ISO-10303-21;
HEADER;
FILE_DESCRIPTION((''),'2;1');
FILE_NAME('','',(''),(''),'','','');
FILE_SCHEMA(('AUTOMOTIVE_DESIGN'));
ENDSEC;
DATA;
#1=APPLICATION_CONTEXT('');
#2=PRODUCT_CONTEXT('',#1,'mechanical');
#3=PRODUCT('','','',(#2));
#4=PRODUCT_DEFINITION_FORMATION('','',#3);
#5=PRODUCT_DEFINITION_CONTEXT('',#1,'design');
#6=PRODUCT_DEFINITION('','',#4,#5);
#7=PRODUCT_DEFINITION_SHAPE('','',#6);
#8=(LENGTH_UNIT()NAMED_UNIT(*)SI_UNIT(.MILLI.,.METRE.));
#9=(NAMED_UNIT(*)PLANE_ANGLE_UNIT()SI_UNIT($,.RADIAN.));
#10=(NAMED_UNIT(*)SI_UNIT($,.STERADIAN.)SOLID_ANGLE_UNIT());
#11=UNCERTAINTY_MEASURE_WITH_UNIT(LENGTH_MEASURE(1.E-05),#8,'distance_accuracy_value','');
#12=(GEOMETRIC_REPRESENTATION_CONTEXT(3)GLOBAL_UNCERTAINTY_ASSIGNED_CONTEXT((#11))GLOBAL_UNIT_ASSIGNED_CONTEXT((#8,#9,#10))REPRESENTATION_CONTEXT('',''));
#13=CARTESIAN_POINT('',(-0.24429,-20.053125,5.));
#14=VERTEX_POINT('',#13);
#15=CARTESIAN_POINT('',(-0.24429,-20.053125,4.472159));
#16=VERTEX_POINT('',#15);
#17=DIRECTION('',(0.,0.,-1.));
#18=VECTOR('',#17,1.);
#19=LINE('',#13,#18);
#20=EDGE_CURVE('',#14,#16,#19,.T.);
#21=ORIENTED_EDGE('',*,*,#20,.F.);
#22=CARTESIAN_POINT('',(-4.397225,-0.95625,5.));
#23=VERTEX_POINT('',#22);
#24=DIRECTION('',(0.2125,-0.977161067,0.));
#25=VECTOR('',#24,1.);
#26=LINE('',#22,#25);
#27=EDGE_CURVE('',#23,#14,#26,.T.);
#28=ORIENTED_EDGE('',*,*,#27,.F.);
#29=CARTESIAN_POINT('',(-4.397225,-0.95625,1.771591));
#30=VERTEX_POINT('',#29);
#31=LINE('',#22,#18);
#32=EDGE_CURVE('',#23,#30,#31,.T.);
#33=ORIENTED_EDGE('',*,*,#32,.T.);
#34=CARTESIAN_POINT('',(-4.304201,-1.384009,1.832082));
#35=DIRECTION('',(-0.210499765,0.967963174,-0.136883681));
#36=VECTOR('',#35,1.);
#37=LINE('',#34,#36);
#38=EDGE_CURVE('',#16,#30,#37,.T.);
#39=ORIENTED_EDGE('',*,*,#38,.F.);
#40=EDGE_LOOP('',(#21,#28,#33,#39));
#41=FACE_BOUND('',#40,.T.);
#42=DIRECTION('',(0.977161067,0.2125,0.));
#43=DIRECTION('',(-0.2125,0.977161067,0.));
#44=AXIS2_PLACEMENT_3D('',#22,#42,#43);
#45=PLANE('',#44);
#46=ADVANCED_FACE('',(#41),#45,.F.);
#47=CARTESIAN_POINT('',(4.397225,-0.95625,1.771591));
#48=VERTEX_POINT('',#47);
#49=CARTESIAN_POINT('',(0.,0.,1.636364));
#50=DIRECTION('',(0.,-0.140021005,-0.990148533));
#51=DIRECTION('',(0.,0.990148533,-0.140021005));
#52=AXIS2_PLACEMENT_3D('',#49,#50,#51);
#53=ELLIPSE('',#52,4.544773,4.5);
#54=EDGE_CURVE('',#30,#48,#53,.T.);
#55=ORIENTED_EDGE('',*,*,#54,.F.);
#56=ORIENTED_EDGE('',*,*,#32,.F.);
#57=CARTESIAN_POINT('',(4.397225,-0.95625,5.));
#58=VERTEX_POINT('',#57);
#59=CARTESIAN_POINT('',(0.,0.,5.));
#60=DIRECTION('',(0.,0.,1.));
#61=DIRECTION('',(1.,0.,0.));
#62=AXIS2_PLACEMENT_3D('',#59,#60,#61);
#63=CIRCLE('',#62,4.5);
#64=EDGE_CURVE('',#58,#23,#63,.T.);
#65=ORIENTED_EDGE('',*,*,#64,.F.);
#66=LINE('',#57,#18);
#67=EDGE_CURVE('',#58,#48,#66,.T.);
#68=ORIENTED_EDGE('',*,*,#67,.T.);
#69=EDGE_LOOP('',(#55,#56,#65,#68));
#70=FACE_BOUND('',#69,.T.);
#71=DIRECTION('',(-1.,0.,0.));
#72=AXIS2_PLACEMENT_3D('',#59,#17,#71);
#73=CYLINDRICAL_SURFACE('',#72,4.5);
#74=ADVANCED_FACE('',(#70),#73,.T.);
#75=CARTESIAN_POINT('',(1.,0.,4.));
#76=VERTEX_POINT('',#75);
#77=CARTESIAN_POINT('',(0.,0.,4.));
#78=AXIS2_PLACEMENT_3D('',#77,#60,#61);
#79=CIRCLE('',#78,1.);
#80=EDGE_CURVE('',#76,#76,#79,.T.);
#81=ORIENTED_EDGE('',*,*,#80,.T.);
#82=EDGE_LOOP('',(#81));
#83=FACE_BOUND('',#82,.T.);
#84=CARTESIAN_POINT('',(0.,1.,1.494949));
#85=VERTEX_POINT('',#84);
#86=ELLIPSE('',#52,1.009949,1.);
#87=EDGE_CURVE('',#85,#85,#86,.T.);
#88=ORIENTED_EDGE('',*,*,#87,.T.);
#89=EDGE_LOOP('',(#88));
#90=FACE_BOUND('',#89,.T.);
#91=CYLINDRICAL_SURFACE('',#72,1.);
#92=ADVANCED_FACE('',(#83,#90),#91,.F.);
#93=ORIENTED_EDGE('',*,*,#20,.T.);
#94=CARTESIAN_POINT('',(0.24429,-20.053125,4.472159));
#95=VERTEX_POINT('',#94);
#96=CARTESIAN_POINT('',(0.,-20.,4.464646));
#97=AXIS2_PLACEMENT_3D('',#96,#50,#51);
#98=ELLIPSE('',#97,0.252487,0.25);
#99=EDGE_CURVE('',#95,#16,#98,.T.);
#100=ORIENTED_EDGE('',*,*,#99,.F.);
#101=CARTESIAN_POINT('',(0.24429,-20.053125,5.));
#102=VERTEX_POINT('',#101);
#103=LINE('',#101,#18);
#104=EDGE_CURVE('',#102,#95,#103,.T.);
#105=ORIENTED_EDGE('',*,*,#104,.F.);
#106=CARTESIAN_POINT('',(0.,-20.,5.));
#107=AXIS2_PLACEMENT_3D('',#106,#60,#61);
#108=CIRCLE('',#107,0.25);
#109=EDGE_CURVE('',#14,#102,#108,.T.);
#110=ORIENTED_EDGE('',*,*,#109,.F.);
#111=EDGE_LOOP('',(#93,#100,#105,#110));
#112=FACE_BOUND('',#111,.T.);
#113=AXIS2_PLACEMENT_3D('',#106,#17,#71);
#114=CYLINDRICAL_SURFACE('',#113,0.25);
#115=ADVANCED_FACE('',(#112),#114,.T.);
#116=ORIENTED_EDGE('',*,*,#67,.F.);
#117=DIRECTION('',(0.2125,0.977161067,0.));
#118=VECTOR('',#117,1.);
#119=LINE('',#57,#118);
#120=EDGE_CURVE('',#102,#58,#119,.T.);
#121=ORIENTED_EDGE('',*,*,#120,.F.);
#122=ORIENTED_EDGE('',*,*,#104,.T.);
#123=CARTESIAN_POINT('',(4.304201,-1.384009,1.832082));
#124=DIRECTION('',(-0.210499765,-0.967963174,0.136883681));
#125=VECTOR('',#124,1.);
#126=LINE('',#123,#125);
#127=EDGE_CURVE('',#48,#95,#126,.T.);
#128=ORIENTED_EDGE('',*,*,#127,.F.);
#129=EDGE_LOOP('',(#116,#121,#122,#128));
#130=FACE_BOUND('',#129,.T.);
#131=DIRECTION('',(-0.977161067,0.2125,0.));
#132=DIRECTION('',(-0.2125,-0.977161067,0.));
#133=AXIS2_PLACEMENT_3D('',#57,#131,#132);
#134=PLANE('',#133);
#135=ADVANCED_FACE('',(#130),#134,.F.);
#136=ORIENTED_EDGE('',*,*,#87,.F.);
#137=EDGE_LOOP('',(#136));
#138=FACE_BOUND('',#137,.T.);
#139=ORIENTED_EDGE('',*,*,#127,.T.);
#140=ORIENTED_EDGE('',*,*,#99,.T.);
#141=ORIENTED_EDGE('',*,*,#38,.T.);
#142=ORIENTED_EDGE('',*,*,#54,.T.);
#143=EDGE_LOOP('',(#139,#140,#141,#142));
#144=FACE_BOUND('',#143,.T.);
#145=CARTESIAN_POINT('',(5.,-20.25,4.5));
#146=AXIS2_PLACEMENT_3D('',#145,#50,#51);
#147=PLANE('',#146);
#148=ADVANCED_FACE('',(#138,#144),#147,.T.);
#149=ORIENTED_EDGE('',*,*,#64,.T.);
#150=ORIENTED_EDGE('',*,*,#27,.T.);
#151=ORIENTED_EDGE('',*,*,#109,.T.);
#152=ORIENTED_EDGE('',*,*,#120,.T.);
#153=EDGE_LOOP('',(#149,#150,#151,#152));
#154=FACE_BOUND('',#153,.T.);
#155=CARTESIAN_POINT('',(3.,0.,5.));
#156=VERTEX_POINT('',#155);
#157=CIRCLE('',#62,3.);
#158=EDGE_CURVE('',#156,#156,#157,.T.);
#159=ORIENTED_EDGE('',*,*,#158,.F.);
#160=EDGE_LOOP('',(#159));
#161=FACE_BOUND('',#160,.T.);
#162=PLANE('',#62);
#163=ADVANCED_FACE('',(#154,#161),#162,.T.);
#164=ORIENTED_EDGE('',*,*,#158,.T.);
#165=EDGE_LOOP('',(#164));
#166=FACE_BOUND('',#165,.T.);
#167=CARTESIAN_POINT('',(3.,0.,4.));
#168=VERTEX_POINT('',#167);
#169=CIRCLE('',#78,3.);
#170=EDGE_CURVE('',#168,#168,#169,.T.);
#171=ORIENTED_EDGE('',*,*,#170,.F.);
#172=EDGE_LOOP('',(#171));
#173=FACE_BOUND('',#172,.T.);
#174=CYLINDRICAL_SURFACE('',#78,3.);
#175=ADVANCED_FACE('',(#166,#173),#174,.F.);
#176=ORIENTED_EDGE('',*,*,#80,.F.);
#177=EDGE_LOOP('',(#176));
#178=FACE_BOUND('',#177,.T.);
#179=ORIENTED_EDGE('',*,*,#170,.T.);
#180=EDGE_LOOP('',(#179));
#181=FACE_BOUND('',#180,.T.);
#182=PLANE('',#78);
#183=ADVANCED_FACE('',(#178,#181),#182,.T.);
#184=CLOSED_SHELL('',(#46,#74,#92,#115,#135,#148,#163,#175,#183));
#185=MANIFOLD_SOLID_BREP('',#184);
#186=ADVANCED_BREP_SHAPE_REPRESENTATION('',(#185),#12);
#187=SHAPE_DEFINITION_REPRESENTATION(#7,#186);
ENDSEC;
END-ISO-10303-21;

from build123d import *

# Parameters (mm, degrees)
ESBO_O1_R                  = 1
RESSALTO_EXTRUS_O1_DEPTH   = 5
CORTE_EXTRUS_O1_DEPTH      = 5
CORTE_EXTRUS_O1_DEPTH_BACK = 5
ESBO_O3_R                  = 3
CORTE_EXTRUS_O2_DEPTH      = 1


with BuildPart() as part:
    # Esboço1 → Ressalto-extrusão1 (new body)
    with BuildSketch(Plane.XY):
        with BuildLine():
            Line((4.3972248, -0.95625), (0.244290267, -20.053125))
            ThreePointArc((0.244290267, -20.053125), (0, -20.25), (-0.244290267, -20.053125))
            Line((-0.244290267, -20.053125), (-4.3972248, -0.95625))
            ThreePointArc((-4.3972248, -0.95625), (0, 4.5), (4.3972248, -0.95625))
        make_face()
        Circle(ESBO_O1_R, mode=Mode.SUBTRACT)
    extrude(amount=RESSALTO_EXTRUS_O1_DEPTH)

    # Esboço2 → Corte-extrusão1 (cut, two sides: drawn at the far end of the back side and taken through both)
    with BuildSketch(Plane(origin=(0, 0, 0), x_dir=(0, 0, -1), z_dir=(1, 0, 0)).offset(-CORTE_EXTRUS_O1_DEPTH_BACK)):
        Polygon((0, 4.5), (0, -20.25), (-4.5, -20.25), (-1, 4.5), align=None)
    extrude(amount=CORTE_EXTRUS_O1_DEPTH + CORTE_EXTRUS_O1_DEPTH_BACK, mode=Mode.SUBTRACT)

    # Esboço3 → Corte-extrusão2 (cut)
    with BuildSketch(Plane.XY.offset(5)):
        Circle(ESBO_O3_R)
    extrude(amount=-CORTE_EXTRUS_O2_DEPTH, mode=Mode.SUBTRACT)


solid = part.part
